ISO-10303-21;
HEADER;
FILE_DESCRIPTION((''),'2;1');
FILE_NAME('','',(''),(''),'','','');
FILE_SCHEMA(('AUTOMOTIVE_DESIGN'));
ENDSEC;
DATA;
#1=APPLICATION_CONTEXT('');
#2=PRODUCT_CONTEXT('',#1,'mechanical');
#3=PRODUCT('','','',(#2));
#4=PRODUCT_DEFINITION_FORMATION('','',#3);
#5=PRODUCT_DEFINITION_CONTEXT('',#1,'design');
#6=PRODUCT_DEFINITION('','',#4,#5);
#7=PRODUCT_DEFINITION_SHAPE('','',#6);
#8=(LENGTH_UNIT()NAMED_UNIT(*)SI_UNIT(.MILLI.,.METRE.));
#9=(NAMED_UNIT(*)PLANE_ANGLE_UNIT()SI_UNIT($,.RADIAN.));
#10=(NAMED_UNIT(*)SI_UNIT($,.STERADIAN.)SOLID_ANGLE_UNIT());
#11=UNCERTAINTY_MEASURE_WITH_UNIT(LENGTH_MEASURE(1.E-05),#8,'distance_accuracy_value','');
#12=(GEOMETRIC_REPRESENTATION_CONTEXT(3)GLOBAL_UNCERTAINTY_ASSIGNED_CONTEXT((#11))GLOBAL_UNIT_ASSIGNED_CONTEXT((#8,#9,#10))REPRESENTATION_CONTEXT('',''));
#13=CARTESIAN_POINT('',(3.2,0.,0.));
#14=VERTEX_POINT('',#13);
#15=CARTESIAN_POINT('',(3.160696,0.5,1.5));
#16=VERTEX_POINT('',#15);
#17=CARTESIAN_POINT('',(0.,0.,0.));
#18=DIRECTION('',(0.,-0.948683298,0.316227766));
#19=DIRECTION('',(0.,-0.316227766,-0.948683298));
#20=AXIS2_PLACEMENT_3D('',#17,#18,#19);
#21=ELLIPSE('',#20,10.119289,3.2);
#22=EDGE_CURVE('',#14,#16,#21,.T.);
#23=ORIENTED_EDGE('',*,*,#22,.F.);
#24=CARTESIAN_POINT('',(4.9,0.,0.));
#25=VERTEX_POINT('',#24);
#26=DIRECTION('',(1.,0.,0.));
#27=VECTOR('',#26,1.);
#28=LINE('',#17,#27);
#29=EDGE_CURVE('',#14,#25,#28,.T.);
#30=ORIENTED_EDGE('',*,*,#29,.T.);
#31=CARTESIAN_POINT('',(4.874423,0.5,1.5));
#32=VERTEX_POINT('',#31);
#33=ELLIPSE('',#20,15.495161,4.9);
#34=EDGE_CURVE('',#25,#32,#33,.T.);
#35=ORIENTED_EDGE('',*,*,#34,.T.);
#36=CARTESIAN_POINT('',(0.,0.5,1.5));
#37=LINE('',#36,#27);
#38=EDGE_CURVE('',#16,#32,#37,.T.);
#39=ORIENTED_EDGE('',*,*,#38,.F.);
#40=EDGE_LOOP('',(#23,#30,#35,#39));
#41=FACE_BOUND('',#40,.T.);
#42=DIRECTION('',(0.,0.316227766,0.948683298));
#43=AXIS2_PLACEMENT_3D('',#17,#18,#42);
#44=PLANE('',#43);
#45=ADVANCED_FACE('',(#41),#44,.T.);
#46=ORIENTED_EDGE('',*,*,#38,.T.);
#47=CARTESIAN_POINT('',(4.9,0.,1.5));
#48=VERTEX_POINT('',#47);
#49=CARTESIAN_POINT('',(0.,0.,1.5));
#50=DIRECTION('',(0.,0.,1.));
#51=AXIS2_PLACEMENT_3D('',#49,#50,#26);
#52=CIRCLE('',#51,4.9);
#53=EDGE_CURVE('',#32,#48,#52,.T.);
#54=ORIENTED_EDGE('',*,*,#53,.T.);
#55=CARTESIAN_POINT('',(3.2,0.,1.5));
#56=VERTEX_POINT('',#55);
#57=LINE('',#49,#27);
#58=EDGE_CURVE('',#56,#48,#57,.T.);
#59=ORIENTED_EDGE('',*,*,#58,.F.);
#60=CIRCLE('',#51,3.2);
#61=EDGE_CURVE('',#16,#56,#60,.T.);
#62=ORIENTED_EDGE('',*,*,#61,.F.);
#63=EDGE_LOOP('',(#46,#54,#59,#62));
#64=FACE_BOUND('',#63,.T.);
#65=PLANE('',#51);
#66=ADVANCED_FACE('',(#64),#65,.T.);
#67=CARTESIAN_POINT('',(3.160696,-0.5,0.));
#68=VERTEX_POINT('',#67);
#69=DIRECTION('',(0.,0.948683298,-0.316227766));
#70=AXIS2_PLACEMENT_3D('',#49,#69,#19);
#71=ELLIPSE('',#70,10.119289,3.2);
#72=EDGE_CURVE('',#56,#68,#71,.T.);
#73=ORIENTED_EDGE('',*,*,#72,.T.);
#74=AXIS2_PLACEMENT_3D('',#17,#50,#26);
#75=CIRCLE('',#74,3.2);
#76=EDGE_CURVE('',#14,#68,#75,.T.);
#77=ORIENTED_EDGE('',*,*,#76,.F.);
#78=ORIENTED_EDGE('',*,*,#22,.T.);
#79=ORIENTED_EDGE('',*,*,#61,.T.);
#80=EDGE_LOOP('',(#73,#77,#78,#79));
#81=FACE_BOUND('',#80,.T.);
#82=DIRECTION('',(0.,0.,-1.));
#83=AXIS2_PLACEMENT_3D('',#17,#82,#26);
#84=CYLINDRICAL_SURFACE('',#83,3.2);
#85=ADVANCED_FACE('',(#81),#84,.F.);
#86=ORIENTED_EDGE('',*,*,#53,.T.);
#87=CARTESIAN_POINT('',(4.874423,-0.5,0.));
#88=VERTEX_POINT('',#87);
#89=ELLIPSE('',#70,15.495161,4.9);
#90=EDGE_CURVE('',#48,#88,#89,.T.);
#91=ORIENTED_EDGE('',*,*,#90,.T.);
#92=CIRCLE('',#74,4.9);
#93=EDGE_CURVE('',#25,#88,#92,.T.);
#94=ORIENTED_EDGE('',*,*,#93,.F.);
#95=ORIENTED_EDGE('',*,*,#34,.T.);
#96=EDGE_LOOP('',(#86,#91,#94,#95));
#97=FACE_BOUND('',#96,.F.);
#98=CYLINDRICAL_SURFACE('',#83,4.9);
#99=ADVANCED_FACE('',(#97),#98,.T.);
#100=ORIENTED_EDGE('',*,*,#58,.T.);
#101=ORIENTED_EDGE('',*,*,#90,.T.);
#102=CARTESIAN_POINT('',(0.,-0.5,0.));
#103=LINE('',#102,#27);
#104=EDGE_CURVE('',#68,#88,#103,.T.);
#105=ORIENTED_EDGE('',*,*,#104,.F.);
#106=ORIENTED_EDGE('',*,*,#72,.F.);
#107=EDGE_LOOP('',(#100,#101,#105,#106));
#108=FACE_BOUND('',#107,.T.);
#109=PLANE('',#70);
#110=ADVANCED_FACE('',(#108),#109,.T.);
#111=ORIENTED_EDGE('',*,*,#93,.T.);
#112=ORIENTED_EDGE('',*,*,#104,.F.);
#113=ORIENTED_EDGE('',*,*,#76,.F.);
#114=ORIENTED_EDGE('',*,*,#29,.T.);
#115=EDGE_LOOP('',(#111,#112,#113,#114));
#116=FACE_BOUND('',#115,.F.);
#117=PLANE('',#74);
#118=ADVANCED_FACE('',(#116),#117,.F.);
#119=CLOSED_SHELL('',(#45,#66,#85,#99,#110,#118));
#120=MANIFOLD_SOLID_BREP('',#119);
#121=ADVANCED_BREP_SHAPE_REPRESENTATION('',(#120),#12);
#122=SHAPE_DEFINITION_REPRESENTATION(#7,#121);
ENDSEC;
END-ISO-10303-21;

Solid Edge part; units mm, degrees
sketch "Sketch1" plane through (0, 0, 0) normal (0, 0, 1) x (1, 0, 0)
  circle A0 centre (0, 0) radius 3.2
  circle A1 centre (0, 0) radius 4.9
extrude "Protrusion1" add sketch "Sketch1" along normal blind 1.5
sketch "Sketch2" plane through (0, 0, 0) normal (1, 0, 0) x (0, 1, 0)
  line L0 (0, 0) -> (0.5, 1.5)
  line L1 (0.5, 1.5) -> (0, 1.5)
  line L2 (0, 1.5) -> (-0.5, 0)
  line L3 (-0.5, 0) -> (0, 0)
extrude "ExtrudedCutout_1" cut sketch "Sketch2" along normal blind 10.7517
properties material "Steel"
